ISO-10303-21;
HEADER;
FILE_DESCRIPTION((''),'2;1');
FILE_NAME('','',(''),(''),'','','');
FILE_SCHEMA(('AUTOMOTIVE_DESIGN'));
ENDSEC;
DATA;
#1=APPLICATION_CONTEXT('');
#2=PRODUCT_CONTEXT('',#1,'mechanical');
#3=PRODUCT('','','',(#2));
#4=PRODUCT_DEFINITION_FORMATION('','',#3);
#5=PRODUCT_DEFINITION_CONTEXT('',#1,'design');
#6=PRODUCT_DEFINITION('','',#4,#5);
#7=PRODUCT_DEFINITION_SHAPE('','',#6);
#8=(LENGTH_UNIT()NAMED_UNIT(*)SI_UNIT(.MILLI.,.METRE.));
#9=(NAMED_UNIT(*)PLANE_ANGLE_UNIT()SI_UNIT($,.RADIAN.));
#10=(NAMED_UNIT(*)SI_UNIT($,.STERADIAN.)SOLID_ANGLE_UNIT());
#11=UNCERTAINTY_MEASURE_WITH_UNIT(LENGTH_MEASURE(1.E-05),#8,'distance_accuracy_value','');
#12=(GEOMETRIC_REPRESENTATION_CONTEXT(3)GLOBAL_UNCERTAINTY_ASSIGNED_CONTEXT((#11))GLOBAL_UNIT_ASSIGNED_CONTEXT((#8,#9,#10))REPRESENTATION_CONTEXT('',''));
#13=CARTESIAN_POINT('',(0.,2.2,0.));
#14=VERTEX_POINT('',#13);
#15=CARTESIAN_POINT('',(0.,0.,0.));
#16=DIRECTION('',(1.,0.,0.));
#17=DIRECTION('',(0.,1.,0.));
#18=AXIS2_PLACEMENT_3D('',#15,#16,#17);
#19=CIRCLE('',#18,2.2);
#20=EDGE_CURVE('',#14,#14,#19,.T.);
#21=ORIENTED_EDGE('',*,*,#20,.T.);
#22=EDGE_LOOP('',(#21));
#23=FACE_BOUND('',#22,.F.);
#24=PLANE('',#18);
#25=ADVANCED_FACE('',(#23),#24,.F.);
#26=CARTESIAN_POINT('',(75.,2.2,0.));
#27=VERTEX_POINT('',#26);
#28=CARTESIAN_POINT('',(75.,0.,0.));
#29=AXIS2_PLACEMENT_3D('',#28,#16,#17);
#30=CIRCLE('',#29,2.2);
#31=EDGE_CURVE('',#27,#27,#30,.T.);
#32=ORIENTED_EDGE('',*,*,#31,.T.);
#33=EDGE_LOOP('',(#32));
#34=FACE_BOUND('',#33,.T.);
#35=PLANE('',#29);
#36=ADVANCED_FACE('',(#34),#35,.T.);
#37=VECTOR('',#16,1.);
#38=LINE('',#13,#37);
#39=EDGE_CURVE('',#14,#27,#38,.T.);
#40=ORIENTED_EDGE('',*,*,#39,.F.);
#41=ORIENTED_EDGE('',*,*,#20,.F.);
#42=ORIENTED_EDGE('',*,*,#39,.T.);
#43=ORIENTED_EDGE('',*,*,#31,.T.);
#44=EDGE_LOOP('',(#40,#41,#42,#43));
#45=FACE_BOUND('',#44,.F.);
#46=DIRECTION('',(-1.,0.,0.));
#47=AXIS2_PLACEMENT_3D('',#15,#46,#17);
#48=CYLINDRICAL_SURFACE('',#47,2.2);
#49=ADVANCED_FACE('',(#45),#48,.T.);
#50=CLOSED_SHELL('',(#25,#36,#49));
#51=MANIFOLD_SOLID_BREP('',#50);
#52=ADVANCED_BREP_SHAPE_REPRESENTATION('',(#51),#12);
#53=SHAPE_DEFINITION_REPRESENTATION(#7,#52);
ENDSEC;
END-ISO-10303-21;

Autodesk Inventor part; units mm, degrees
ref_plane "YZ Plane" through (0, 0, 0) normal (1, 0, 0) x (0, 1, 0)
ref_plane "XZ Plane" through (0, 0, 0) normal (0, 1, 0) x (-1, 0, 0)
ref_plane "XY Plane" through (0, 0, 0) normal (0, 0, 1) x (1, 0, 0)
sketch "Sketch1" plane through (0, 0, 0) normal (1, 0, 0) x (0, 1, 0)
  circle A0 centre (0, 0) radius 2.2
  dimension "d0" = 4.4
extrude "Extrusion1" add sketch "Sketch1" along normal blind 75
properties part number "rod_for_clamp"
